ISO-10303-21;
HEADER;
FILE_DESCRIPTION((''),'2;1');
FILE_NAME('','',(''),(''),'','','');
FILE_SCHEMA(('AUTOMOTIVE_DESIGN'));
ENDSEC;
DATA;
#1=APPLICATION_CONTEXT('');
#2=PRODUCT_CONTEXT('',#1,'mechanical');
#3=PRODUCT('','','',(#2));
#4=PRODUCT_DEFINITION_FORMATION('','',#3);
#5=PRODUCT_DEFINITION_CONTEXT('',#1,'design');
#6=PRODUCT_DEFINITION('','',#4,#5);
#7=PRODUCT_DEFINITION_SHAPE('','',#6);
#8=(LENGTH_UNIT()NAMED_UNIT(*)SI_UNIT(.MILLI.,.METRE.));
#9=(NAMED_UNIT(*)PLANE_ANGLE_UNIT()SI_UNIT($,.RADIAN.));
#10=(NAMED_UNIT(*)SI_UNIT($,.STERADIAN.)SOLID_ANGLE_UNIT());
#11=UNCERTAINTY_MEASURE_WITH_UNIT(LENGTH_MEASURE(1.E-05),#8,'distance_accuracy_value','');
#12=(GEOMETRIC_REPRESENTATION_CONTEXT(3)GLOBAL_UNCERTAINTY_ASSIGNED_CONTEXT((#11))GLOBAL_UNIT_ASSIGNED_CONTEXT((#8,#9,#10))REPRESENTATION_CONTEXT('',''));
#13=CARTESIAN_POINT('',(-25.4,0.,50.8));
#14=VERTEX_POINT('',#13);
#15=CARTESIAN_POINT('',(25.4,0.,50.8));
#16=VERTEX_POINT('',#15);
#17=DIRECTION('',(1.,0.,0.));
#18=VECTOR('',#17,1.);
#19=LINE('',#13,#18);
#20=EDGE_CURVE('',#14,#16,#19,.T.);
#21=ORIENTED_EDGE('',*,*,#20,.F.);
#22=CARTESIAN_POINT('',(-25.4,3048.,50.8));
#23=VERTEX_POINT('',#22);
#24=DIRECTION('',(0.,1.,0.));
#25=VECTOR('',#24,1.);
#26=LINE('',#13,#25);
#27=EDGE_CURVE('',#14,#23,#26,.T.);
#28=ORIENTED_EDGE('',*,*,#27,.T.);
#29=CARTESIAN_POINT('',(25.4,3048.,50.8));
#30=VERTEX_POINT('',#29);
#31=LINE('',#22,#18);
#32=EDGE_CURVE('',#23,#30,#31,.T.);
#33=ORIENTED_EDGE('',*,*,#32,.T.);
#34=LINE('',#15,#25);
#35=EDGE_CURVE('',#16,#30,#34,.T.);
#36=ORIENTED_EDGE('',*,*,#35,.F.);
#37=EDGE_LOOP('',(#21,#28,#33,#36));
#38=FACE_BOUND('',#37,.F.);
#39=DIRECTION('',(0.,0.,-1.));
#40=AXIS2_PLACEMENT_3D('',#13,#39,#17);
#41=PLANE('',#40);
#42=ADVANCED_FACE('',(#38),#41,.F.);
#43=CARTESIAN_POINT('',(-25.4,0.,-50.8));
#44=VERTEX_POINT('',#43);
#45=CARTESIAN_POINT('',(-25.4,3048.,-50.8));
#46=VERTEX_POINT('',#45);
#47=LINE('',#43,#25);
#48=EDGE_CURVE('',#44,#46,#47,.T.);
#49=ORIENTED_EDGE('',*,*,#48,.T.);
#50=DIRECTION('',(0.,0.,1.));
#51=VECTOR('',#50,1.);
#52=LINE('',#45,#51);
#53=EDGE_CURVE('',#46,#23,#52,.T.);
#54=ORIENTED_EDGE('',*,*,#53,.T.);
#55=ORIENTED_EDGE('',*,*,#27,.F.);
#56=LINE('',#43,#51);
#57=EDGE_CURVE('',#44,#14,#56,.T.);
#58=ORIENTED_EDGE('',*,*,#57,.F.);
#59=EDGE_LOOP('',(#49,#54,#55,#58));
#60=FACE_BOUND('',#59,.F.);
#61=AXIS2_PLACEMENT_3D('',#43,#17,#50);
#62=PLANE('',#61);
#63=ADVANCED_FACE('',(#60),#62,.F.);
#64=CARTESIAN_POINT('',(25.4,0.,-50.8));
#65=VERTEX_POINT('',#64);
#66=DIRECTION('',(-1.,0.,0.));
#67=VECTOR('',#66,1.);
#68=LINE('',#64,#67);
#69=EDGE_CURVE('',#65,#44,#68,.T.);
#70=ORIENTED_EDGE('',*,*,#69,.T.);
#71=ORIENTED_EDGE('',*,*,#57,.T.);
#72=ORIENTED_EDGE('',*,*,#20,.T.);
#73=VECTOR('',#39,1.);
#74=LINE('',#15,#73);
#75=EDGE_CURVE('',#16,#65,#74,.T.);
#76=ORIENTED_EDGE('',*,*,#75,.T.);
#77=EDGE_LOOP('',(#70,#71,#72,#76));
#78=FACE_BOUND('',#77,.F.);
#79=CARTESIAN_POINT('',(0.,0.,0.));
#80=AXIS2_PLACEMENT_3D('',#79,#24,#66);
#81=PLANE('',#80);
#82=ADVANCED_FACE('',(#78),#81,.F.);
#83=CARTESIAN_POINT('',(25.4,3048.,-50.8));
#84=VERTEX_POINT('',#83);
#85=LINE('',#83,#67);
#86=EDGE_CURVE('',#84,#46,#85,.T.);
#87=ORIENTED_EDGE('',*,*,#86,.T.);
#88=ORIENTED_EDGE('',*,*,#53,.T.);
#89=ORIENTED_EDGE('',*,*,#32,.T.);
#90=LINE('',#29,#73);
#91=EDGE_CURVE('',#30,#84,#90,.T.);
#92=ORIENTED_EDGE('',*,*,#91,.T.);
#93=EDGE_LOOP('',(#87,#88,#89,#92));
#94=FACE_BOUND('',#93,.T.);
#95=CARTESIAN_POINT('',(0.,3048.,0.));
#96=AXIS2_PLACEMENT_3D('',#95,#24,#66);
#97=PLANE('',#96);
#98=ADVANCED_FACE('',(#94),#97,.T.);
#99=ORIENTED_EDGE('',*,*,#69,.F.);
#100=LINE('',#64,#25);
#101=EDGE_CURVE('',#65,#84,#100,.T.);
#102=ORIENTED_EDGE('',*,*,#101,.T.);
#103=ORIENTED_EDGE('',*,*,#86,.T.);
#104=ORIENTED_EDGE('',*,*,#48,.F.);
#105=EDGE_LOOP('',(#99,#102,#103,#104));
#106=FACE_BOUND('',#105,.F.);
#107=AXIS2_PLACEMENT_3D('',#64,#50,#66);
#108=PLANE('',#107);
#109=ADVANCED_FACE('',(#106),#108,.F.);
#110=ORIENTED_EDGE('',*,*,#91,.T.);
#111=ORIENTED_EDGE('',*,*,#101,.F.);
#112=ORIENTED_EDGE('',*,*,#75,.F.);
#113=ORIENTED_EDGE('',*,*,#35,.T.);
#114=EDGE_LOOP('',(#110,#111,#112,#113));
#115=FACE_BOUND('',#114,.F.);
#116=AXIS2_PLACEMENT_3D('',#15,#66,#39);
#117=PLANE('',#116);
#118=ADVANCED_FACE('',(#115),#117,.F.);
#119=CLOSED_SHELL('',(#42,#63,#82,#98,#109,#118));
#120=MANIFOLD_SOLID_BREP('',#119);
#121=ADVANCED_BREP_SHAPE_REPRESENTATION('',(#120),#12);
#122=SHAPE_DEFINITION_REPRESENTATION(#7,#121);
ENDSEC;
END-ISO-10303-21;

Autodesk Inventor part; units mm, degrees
ref_plane "YZ Plane" through (0, 0, 0) normal (1, 0, 0) x (0, 1, 0)
ref_plane "XZ Plane" through (0, 0, 0) normal (0, 1, 0) x (-1, 0, 0)
ref_plane "XY Plane" through (0, 0, 0) normal (0, 0, 1) x (1, 0, 0)
sketch "Sketch1" plane through (0, 0, 0) normal (0, 1, 0) x (-1, 0, 0)
  line L0 (25.4, 50.8) -> (-25.4, 50.8)
  line L1 (-25.4, 50.8) -> (-25.4, -50.8)
  line L2 (-25.4, -50.8) -> (25.4, -50.8)
  line L3 (25.4, -50.8) -> (25.4, 50.8)
  line L4 (25.4, 50.8) -> (-25.4, -50.8) construction
  line L5 (-25.4, 50.8) -> (25.4, -50.8) construction
  point P0 (0, 0)
  dimension "d0" = 50.8
  dimension "d1" = 101.6
extrude "Extrusion1" add sketch "Sketch1" along normal blind 3048
properties part number "2x4x120" material "Wood (Birch)"
